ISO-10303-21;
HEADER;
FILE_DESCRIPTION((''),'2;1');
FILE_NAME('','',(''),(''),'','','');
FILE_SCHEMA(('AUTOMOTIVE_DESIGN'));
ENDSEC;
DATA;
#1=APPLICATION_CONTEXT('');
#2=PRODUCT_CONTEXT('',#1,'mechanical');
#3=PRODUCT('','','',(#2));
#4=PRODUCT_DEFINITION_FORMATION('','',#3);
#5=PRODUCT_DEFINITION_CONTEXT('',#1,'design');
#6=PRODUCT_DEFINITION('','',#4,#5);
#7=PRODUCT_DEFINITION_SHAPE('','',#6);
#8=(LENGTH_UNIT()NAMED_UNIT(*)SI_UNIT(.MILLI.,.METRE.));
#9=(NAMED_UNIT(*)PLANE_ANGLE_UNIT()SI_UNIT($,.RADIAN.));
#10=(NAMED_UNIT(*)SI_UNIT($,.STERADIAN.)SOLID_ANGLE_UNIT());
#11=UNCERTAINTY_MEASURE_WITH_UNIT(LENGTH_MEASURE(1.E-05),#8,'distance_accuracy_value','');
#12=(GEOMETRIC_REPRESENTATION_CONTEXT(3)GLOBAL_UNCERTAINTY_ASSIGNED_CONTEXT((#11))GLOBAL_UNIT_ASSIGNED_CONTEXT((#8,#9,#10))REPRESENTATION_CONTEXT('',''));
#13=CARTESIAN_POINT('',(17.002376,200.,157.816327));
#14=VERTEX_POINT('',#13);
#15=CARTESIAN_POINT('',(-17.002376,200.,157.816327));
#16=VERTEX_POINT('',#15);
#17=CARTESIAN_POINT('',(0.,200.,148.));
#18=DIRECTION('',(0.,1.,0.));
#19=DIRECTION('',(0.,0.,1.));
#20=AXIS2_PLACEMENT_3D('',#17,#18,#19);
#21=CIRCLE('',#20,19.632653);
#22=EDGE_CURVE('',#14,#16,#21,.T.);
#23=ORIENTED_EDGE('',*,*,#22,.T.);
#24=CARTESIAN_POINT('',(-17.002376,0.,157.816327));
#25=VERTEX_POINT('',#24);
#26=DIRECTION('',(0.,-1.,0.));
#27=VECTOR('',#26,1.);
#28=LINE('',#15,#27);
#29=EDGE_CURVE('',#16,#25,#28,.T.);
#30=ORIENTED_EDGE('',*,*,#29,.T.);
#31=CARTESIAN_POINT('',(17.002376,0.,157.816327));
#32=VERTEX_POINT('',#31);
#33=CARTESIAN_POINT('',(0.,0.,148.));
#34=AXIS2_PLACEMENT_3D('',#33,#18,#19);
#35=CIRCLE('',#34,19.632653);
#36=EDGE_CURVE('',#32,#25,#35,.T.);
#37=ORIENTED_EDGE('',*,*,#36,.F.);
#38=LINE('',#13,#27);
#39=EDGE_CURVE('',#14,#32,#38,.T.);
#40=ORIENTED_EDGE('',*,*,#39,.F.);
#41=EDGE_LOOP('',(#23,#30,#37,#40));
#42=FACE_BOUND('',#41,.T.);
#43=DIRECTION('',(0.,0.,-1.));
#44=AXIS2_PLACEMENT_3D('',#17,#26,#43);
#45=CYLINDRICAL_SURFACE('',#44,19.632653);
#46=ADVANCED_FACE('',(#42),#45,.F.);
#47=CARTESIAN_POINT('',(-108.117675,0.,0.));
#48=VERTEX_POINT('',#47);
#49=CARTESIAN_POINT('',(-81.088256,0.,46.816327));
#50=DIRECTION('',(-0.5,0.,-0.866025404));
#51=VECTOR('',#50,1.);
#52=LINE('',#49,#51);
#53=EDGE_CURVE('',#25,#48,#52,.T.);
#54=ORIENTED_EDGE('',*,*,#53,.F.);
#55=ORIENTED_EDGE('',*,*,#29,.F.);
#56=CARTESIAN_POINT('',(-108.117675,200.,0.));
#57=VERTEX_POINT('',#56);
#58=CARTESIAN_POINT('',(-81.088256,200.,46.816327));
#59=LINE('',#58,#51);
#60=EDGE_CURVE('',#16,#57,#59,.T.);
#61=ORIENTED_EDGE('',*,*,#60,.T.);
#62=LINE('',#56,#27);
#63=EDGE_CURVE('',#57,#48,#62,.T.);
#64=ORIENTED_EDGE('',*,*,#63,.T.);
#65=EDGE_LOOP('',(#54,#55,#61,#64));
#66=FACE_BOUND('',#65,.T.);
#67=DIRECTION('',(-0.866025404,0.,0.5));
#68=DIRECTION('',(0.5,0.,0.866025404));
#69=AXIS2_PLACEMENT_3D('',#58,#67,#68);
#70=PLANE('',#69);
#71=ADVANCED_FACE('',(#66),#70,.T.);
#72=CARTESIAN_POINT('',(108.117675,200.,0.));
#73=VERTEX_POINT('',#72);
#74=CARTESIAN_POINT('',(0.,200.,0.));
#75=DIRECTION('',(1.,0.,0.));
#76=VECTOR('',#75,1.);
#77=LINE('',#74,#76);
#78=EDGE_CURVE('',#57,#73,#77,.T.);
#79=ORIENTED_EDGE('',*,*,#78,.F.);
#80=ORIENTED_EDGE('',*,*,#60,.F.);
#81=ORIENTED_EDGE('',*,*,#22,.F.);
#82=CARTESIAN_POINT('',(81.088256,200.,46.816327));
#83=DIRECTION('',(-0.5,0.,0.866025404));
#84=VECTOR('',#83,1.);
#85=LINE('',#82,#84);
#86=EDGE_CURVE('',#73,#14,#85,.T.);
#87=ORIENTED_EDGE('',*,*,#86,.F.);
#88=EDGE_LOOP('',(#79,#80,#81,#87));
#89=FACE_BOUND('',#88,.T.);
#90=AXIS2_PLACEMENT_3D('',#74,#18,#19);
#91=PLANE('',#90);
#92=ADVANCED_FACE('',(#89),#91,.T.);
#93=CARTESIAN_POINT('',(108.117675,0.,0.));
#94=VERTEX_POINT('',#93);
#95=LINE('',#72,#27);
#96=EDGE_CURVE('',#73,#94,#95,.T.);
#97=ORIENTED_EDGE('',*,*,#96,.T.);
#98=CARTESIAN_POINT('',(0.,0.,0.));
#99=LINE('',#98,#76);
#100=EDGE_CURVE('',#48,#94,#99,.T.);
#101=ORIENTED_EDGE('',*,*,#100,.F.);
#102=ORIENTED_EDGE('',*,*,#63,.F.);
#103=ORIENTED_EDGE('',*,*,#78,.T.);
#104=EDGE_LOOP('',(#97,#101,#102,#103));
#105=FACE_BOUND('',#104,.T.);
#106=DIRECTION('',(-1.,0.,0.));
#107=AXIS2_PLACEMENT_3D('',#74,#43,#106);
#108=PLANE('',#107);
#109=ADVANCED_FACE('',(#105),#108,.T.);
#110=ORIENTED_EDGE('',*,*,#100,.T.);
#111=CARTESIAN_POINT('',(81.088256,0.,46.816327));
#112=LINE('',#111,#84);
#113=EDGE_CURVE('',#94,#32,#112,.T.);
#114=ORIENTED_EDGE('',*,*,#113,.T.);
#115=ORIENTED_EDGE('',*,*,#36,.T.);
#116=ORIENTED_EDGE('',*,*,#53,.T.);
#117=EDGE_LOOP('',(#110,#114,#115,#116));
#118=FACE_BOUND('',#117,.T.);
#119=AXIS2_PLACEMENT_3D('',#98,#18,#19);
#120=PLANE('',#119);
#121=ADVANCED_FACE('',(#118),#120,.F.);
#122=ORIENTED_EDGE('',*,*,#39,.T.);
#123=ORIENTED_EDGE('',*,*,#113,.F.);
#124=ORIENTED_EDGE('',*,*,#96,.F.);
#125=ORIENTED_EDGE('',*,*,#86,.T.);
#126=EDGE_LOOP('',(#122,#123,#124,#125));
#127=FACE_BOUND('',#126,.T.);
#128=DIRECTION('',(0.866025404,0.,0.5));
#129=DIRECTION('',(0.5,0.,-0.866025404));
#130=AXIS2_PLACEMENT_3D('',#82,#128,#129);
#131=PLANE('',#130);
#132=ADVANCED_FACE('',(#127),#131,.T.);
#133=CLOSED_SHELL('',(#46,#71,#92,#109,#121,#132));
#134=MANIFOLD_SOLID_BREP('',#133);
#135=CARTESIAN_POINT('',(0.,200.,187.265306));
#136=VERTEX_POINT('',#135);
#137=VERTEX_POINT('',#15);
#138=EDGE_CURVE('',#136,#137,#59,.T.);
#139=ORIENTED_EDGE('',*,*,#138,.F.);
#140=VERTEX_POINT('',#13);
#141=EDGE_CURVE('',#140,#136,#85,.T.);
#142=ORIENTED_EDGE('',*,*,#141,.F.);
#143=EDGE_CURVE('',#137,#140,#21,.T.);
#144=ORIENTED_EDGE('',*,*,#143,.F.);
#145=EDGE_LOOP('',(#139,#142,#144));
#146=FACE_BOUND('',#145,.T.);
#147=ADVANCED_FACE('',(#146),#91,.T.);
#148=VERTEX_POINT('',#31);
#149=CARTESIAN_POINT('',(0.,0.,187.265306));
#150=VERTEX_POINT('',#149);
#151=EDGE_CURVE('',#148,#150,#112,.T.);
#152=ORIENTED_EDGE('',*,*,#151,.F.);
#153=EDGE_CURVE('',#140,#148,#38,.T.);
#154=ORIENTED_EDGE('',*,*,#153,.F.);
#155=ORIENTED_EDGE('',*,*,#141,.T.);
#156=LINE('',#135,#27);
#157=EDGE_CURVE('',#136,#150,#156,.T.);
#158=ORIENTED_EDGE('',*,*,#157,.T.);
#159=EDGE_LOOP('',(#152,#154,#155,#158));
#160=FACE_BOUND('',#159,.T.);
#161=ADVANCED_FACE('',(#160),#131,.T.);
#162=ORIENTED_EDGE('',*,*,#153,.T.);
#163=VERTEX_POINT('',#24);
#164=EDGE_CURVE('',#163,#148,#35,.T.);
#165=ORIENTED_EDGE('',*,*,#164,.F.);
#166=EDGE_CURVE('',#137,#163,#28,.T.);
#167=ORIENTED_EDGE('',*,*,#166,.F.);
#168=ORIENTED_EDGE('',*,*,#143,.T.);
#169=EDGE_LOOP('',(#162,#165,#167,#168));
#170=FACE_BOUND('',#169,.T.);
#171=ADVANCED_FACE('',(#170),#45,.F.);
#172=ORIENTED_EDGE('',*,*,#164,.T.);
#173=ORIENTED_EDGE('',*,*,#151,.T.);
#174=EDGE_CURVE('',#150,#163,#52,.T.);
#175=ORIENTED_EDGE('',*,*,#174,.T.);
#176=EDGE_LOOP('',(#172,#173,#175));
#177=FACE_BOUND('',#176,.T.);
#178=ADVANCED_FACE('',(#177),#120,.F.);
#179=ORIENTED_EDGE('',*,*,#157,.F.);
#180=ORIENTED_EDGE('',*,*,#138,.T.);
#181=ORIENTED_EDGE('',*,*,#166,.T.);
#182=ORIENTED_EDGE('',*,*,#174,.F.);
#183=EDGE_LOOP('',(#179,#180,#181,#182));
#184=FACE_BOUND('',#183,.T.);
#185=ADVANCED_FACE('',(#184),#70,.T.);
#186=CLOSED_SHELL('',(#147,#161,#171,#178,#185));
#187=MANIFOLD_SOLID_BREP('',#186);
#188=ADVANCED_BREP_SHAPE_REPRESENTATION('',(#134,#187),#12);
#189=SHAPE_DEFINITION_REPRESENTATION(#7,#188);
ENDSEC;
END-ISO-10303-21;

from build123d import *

# Parameters (mm, degrees)
BOSS_EXTRUDE1_DEPTH = 200


with BuildPart() as part:
    # Sketch1 → Boss-Extrude1 (new body)
    with BuildSketch(Plane(origin=(0, 0, 0), x_dir=(1, 0, 0), z_dir=(0, 1, 0))):
        with BuildLine():
            Line((108.1176749, 0), (0, 0))
            Line((0, 0), (0, -128.367346939))
            ThreePointArc((0, -128.367346939), (13.882382112, -134.117617888), (19.632653061, -148))
            ThreePointArc((19.632653061, -148), (18.963686701, -153.081304254), (17.002376569, -157.816326056))
            Line((17.002376569, -157.816326056), (108.1176749, 0))
        make_face()
        with BuildLine():
            Line((0, 0), (-108.1176749, 0))
            Line((-108.1176749, 0), (-17.002376712, -157.816325807))
            ThreePointArc((-17.002376712, -157.816325807), (-17.002376086, -138.183673108), (0, -128.367346939))
            Line((0, -128.367346939), (0, 0))
        make_face()
        with BuildLine():
            ThreePointArc((0, -167.632653061), (-9.816326892, -165.002376086), (-17.002376712, -157.816325807))
            Line((-17.002376712, -157.816325807), (0, -187.265306122))
            Line((0, -187.265306122), (0, -167.632653061))
        make_face()
        with BuildLine():
            Line((0, -167.632653061), (0, -187.265306122))
            Line((0, -187.265306122), (17.002376569, -157.816326056))
            ThreePointArc((17.002376569, -157.816326056), (9.816326768, -165.002376158), (0, -167.632653061))
        make_face()
    extrude(amount=BOSS_EXTRUDE1_DEPTH)


solid = part.part
